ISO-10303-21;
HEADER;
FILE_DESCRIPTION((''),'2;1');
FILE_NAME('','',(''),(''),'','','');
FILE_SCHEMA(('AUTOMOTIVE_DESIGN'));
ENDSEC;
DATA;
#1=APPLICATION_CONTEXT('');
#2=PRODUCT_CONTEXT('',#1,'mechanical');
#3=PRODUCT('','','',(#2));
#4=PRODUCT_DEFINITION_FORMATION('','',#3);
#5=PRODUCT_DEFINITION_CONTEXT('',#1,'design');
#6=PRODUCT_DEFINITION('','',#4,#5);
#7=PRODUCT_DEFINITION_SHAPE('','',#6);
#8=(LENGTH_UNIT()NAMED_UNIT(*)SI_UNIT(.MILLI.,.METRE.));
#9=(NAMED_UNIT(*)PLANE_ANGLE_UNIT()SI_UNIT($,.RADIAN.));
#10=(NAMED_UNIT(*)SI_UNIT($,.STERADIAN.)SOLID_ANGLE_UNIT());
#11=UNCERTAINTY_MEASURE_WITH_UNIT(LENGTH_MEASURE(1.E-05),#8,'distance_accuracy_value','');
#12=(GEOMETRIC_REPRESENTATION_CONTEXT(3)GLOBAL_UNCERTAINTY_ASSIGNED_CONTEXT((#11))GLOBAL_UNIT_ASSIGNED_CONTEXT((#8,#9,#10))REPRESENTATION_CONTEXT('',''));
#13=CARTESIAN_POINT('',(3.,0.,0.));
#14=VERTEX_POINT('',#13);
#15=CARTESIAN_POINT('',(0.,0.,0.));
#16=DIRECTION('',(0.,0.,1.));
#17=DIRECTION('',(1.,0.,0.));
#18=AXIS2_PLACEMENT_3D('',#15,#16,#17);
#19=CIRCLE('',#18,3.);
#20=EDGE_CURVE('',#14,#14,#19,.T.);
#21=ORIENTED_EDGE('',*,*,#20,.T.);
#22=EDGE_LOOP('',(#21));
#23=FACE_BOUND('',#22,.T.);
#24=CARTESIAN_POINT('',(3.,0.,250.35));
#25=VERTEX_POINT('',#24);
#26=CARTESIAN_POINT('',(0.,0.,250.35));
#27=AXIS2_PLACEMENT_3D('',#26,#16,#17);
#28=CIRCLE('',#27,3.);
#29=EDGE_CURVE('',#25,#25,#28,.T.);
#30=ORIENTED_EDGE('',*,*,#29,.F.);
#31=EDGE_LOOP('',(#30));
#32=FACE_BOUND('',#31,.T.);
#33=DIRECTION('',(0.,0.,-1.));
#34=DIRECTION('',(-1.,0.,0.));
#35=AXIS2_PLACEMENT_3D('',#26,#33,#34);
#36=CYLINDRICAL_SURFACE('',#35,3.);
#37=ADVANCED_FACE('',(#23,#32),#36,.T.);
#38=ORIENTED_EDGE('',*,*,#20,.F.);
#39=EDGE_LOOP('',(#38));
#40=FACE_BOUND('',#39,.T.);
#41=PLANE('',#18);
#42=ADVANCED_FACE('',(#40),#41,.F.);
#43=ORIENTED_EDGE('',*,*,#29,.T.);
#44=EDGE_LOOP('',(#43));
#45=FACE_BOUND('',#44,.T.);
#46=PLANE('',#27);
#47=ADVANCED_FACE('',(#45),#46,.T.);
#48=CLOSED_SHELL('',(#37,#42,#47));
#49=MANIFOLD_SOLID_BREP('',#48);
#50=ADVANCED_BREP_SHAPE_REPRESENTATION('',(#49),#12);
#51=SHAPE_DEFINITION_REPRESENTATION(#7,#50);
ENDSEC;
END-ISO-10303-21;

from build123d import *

# Parameters (mm, degrees)
SKETCH1_R           = 3
BOSS_EXTRUDE1_DEPTH = 250.35


with BuildPart() as part:
    # Sketch1 → Boss-Extrude1 (new body)
    with BuildSketch(Plane.XY):
        Circle(SKETCH1_R)
    extrude(amount=BOSS_EXTRUDE1_DEPTH)


solid = part.part
